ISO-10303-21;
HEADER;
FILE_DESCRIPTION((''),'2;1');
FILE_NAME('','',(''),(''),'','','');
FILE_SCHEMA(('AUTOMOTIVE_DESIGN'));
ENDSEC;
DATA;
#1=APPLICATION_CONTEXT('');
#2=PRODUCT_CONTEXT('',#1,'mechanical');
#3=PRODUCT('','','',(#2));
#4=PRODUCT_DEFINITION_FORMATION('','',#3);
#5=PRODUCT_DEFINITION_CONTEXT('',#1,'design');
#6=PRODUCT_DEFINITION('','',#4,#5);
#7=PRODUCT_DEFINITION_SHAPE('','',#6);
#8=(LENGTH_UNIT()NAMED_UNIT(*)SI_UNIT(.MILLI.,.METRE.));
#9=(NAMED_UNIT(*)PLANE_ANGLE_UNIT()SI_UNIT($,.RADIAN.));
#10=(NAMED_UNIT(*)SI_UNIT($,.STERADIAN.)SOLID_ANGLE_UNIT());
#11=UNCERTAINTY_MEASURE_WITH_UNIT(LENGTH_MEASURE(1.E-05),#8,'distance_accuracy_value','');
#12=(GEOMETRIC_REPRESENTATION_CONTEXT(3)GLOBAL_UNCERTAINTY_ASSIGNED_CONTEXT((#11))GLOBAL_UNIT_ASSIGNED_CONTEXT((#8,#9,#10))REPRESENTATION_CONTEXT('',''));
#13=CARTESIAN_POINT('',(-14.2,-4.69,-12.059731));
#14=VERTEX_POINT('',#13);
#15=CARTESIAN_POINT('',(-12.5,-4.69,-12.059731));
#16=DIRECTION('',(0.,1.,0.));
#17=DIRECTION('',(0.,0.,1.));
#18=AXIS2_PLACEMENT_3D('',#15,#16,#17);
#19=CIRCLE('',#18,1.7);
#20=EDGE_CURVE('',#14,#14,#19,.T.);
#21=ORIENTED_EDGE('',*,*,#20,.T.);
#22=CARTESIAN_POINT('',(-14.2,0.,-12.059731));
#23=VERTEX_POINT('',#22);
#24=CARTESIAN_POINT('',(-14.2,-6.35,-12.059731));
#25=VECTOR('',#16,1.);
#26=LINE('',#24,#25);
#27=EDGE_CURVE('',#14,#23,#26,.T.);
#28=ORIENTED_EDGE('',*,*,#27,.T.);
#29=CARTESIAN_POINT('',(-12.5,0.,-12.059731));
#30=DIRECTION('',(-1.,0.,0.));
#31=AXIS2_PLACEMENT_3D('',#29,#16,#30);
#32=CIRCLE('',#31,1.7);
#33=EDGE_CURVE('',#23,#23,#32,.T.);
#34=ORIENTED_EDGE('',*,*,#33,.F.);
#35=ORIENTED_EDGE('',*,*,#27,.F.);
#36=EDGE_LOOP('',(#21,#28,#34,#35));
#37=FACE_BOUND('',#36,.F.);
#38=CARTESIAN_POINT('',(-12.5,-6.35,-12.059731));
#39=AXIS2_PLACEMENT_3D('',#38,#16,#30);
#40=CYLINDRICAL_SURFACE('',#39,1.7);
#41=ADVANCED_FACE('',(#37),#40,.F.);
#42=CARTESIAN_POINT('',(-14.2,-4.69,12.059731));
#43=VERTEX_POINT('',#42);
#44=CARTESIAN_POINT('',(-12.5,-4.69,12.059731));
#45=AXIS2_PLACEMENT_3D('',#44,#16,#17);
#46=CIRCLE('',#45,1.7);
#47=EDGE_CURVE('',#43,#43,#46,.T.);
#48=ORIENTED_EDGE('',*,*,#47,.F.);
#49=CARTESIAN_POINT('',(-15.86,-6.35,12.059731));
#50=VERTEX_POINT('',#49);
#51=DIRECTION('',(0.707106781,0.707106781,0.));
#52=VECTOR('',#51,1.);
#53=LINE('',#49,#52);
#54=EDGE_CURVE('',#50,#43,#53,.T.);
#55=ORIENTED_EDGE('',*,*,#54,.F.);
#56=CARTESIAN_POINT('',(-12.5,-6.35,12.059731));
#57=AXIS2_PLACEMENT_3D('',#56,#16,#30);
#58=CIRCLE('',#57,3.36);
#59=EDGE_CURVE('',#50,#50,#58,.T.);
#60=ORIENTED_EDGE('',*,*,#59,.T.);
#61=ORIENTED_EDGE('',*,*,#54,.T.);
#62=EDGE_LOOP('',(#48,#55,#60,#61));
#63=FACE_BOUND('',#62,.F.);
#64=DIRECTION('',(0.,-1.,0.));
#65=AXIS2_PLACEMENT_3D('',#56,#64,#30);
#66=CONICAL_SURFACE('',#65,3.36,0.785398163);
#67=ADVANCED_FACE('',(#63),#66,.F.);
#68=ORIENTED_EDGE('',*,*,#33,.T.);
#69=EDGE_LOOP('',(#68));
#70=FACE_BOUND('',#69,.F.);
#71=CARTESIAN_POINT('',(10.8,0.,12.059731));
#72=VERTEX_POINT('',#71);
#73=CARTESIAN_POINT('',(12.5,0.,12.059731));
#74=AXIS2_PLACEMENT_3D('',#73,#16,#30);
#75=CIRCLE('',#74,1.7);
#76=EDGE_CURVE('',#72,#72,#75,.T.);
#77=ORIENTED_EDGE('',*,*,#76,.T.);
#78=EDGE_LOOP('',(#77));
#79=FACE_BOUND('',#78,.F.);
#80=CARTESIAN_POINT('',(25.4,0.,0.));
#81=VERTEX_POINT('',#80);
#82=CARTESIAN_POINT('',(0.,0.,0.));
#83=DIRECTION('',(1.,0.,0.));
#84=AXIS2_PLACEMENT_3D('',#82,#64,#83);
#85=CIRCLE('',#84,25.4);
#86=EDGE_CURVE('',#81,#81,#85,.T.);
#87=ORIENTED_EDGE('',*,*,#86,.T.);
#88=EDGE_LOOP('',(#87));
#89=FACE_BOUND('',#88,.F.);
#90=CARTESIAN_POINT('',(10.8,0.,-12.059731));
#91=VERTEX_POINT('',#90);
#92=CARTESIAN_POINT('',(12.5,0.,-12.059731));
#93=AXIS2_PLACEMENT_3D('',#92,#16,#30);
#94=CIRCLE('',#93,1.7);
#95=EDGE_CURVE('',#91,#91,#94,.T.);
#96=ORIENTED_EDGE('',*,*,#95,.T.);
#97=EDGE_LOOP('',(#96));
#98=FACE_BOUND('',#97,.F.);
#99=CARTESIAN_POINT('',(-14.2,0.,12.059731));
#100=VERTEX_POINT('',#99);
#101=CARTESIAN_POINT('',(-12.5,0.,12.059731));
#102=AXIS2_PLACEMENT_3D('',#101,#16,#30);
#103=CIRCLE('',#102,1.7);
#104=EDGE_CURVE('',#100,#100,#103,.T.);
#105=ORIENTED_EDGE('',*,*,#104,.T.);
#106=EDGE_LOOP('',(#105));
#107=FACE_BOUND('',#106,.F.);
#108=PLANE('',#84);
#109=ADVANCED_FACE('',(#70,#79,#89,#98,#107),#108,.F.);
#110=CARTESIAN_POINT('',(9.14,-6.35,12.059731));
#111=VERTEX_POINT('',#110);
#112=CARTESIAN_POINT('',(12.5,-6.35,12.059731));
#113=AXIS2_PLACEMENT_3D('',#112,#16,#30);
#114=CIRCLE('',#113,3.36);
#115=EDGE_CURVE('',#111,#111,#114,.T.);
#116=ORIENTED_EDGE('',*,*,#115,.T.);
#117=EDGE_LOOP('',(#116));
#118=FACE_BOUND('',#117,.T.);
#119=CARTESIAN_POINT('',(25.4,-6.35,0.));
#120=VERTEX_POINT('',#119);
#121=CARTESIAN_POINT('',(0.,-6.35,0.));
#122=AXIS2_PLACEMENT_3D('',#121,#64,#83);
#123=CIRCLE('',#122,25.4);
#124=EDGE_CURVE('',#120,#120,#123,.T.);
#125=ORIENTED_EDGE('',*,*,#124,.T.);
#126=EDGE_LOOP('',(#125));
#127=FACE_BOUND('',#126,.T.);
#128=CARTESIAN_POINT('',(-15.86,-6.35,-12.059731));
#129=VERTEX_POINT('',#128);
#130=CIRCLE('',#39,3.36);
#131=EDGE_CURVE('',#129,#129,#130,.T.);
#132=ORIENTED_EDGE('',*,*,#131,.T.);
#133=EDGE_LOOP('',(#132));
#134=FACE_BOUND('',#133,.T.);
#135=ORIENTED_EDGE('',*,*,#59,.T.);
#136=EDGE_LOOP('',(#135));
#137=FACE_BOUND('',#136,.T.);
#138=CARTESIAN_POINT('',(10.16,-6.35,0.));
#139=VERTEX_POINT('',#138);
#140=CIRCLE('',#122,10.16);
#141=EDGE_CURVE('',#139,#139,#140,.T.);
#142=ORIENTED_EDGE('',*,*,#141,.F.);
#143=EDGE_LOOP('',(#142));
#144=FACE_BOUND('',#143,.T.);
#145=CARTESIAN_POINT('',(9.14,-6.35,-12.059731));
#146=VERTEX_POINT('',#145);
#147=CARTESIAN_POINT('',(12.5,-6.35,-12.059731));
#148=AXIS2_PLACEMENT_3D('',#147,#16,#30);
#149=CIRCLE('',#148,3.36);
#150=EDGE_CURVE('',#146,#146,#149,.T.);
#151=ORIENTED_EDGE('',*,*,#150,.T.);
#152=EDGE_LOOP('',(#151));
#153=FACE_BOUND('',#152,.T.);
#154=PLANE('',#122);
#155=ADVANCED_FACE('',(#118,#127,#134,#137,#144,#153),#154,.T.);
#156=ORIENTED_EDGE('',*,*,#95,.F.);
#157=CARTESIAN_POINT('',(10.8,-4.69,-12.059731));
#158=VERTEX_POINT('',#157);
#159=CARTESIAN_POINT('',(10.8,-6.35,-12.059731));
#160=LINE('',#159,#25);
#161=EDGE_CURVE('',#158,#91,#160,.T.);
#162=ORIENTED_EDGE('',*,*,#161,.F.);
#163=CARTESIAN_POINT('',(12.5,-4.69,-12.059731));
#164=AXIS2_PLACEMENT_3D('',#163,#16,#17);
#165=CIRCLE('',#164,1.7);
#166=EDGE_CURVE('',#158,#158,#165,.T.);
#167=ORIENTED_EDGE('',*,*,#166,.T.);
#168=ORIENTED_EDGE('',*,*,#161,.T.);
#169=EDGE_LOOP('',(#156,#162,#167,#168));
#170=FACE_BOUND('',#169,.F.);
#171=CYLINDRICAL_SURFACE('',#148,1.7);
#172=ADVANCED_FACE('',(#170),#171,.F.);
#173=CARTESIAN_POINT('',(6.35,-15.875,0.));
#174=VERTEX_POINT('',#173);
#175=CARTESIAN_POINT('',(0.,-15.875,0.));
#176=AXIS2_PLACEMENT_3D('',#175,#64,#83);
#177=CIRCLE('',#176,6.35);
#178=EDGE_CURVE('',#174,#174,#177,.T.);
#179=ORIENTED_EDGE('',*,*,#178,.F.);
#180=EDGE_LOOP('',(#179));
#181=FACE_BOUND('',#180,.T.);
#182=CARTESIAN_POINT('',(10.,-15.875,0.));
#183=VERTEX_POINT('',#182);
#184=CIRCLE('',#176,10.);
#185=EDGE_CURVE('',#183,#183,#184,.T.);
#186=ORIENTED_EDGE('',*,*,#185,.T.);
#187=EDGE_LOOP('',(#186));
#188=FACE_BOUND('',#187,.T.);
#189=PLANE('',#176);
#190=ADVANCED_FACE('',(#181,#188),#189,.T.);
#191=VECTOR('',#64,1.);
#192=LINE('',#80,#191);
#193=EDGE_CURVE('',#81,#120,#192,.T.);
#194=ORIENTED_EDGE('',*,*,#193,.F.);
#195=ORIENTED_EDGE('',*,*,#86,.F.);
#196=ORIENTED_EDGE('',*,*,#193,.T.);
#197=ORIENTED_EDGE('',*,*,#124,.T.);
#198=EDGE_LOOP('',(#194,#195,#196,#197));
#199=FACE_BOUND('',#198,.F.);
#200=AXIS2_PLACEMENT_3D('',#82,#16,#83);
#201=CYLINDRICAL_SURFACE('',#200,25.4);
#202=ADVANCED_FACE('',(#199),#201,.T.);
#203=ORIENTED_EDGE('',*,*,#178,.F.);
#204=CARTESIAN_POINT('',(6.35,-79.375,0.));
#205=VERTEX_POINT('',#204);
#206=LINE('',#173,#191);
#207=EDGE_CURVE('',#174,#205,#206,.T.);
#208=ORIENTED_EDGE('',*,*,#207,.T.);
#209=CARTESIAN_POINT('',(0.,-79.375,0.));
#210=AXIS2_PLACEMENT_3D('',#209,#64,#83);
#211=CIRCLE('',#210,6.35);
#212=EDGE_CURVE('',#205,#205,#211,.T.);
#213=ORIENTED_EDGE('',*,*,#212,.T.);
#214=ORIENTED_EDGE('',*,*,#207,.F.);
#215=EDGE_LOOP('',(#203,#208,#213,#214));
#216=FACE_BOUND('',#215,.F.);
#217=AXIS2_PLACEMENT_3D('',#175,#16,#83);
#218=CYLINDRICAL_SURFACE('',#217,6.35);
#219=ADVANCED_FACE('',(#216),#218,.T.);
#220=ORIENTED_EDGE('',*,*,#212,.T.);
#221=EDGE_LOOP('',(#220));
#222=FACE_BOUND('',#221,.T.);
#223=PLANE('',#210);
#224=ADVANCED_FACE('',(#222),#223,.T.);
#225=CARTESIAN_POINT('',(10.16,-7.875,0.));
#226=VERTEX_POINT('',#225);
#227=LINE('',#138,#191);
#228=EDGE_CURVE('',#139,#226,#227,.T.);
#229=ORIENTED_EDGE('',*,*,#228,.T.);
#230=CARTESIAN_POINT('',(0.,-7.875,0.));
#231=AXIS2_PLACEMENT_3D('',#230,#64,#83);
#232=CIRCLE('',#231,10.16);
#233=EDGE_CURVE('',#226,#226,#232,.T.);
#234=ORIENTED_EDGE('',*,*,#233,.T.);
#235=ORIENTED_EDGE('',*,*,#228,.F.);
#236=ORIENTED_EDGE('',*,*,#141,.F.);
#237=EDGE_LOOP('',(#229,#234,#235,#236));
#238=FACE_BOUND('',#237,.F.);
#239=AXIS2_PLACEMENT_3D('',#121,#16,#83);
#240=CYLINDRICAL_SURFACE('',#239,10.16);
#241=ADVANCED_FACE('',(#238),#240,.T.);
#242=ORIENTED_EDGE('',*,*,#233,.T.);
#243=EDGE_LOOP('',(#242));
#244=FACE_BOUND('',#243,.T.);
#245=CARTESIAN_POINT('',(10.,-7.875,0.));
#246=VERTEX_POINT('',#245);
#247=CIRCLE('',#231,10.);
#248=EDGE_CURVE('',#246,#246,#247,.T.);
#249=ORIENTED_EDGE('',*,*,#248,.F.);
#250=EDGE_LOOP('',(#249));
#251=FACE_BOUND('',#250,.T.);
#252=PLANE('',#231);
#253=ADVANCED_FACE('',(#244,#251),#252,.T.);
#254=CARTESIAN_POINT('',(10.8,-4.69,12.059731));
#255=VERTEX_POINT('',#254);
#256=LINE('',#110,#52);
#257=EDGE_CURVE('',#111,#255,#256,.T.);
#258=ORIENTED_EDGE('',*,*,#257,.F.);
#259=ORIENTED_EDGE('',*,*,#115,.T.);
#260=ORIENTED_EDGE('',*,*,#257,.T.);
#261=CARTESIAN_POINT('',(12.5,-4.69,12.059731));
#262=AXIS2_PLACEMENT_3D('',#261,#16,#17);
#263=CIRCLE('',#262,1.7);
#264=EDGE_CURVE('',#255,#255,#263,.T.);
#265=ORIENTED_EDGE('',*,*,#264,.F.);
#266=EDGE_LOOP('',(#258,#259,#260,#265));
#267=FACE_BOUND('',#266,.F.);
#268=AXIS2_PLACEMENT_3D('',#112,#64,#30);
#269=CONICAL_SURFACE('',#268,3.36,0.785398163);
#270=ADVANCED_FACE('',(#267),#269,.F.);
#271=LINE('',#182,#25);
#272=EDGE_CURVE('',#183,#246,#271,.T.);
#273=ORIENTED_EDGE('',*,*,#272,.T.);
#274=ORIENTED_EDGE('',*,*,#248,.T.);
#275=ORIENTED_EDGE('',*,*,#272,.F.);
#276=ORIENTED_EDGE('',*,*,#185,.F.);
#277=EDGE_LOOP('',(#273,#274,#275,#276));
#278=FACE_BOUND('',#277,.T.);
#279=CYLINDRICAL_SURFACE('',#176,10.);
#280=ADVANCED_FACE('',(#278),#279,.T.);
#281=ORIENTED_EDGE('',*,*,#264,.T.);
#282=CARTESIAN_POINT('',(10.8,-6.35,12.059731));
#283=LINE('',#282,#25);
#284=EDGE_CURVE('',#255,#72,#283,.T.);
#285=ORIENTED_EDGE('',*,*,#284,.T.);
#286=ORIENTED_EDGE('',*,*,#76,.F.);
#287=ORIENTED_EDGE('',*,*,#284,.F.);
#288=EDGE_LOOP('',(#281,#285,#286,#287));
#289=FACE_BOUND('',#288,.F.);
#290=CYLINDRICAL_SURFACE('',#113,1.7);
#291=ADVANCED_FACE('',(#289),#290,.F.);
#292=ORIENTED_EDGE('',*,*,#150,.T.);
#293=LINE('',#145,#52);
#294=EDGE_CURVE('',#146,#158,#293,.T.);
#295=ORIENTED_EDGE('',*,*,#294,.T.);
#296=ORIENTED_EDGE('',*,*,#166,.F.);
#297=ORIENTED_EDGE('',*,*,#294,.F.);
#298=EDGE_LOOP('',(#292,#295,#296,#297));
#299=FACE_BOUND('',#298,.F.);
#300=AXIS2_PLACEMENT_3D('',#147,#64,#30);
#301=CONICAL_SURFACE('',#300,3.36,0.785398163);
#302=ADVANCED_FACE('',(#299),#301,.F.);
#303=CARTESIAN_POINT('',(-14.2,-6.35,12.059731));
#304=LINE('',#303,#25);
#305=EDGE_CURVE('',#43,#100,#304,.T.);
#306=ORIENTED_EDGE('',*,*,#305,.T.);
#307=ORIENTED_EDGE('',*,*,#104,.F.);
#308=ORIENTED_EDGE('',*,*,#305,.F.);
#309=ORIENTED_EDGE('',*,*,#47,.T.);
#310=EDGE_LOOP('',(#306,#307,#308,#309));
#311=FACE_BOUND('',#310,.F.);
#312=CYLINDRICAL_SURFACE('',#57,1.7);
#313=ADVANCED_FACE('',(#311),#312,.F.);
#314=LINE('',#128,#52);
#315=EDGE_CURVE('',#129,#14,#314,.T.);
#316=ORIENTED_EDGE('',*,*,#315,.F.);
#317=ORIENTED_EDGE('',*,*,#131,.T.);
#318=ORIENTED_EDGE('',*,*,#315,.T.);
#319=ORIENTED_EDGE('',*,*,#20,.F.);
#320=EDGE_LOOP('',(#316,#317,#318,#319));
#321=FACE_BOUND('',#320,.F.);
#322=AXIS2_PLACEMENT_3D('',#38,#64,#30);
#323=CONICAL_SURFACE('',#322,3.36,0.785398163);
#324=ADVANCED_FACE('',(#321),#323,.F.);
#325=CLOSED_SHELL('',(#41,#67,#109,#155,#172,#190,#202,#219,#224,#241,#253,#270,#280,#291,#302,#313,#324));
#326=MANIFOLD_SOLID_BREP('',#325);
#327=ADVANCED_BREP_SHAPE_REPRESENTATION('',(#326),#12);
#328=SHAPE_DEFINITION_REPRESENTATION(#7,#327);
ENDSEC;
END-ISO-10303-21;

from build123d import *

# Parameters (mm, degrees)
F0_R           = 25.4
F1_DEPTH       = 6.35
F3_D           = 3.4
F3_CSINK_D     = 6.72
F3_CSINK_ANGLE = 90
F4_R           = 10.16
F5_DEPTH       = 9.525
F6_R           = 10.16
F6_R_2         = 10
F7_DEPTH       = 8
F8_R           = 6.35
F9_DEPTH       = 63.5


with BuildPart() as f1:
    # F0 (on Front) → F1 (new body)
    with BuildSketch(Plane.XZ):
        Circle(F0_R)
    extrude(amount=F1_DEPTH)

    # F3 (through all)
    with Locations(Plane.XZ.offset(6.35)):
        with Locations((-12.5, 12.059730643), (12.5, 12.059730643), (12.5, -12.059730643), (-12.5, -12.059730643)):
            CounterSinkHole(F3_D / 2, F3_CSINK_D / 2, counter_sink_angle=F3_CSINK_ANGLE)

    # F4 (on face) → F5 (join)
    with BuildSketch(Plane.XZ.offset(6.35)):
        Circle(F4_R)
    extrude(amount=F5_DEPTH)

    # F6 (on face) → F7 (cut)
    with BuildSketch(Plane.XZ.offset(15.875)):
        Circle(F6_R)
        Circle(F6_R_2, mode=Mode.SUBTRACT)
    extrude(amount=-F7_DEPTH, mode=Mode.SUBTRACT)

    # F8 (on face) → F9 (join)
    with BuildSketch(Plane.XZ.offset(15.875)):
        Circle(F8_R)
    extrude(amount=F9_DEPTH)


solid = f1.part
